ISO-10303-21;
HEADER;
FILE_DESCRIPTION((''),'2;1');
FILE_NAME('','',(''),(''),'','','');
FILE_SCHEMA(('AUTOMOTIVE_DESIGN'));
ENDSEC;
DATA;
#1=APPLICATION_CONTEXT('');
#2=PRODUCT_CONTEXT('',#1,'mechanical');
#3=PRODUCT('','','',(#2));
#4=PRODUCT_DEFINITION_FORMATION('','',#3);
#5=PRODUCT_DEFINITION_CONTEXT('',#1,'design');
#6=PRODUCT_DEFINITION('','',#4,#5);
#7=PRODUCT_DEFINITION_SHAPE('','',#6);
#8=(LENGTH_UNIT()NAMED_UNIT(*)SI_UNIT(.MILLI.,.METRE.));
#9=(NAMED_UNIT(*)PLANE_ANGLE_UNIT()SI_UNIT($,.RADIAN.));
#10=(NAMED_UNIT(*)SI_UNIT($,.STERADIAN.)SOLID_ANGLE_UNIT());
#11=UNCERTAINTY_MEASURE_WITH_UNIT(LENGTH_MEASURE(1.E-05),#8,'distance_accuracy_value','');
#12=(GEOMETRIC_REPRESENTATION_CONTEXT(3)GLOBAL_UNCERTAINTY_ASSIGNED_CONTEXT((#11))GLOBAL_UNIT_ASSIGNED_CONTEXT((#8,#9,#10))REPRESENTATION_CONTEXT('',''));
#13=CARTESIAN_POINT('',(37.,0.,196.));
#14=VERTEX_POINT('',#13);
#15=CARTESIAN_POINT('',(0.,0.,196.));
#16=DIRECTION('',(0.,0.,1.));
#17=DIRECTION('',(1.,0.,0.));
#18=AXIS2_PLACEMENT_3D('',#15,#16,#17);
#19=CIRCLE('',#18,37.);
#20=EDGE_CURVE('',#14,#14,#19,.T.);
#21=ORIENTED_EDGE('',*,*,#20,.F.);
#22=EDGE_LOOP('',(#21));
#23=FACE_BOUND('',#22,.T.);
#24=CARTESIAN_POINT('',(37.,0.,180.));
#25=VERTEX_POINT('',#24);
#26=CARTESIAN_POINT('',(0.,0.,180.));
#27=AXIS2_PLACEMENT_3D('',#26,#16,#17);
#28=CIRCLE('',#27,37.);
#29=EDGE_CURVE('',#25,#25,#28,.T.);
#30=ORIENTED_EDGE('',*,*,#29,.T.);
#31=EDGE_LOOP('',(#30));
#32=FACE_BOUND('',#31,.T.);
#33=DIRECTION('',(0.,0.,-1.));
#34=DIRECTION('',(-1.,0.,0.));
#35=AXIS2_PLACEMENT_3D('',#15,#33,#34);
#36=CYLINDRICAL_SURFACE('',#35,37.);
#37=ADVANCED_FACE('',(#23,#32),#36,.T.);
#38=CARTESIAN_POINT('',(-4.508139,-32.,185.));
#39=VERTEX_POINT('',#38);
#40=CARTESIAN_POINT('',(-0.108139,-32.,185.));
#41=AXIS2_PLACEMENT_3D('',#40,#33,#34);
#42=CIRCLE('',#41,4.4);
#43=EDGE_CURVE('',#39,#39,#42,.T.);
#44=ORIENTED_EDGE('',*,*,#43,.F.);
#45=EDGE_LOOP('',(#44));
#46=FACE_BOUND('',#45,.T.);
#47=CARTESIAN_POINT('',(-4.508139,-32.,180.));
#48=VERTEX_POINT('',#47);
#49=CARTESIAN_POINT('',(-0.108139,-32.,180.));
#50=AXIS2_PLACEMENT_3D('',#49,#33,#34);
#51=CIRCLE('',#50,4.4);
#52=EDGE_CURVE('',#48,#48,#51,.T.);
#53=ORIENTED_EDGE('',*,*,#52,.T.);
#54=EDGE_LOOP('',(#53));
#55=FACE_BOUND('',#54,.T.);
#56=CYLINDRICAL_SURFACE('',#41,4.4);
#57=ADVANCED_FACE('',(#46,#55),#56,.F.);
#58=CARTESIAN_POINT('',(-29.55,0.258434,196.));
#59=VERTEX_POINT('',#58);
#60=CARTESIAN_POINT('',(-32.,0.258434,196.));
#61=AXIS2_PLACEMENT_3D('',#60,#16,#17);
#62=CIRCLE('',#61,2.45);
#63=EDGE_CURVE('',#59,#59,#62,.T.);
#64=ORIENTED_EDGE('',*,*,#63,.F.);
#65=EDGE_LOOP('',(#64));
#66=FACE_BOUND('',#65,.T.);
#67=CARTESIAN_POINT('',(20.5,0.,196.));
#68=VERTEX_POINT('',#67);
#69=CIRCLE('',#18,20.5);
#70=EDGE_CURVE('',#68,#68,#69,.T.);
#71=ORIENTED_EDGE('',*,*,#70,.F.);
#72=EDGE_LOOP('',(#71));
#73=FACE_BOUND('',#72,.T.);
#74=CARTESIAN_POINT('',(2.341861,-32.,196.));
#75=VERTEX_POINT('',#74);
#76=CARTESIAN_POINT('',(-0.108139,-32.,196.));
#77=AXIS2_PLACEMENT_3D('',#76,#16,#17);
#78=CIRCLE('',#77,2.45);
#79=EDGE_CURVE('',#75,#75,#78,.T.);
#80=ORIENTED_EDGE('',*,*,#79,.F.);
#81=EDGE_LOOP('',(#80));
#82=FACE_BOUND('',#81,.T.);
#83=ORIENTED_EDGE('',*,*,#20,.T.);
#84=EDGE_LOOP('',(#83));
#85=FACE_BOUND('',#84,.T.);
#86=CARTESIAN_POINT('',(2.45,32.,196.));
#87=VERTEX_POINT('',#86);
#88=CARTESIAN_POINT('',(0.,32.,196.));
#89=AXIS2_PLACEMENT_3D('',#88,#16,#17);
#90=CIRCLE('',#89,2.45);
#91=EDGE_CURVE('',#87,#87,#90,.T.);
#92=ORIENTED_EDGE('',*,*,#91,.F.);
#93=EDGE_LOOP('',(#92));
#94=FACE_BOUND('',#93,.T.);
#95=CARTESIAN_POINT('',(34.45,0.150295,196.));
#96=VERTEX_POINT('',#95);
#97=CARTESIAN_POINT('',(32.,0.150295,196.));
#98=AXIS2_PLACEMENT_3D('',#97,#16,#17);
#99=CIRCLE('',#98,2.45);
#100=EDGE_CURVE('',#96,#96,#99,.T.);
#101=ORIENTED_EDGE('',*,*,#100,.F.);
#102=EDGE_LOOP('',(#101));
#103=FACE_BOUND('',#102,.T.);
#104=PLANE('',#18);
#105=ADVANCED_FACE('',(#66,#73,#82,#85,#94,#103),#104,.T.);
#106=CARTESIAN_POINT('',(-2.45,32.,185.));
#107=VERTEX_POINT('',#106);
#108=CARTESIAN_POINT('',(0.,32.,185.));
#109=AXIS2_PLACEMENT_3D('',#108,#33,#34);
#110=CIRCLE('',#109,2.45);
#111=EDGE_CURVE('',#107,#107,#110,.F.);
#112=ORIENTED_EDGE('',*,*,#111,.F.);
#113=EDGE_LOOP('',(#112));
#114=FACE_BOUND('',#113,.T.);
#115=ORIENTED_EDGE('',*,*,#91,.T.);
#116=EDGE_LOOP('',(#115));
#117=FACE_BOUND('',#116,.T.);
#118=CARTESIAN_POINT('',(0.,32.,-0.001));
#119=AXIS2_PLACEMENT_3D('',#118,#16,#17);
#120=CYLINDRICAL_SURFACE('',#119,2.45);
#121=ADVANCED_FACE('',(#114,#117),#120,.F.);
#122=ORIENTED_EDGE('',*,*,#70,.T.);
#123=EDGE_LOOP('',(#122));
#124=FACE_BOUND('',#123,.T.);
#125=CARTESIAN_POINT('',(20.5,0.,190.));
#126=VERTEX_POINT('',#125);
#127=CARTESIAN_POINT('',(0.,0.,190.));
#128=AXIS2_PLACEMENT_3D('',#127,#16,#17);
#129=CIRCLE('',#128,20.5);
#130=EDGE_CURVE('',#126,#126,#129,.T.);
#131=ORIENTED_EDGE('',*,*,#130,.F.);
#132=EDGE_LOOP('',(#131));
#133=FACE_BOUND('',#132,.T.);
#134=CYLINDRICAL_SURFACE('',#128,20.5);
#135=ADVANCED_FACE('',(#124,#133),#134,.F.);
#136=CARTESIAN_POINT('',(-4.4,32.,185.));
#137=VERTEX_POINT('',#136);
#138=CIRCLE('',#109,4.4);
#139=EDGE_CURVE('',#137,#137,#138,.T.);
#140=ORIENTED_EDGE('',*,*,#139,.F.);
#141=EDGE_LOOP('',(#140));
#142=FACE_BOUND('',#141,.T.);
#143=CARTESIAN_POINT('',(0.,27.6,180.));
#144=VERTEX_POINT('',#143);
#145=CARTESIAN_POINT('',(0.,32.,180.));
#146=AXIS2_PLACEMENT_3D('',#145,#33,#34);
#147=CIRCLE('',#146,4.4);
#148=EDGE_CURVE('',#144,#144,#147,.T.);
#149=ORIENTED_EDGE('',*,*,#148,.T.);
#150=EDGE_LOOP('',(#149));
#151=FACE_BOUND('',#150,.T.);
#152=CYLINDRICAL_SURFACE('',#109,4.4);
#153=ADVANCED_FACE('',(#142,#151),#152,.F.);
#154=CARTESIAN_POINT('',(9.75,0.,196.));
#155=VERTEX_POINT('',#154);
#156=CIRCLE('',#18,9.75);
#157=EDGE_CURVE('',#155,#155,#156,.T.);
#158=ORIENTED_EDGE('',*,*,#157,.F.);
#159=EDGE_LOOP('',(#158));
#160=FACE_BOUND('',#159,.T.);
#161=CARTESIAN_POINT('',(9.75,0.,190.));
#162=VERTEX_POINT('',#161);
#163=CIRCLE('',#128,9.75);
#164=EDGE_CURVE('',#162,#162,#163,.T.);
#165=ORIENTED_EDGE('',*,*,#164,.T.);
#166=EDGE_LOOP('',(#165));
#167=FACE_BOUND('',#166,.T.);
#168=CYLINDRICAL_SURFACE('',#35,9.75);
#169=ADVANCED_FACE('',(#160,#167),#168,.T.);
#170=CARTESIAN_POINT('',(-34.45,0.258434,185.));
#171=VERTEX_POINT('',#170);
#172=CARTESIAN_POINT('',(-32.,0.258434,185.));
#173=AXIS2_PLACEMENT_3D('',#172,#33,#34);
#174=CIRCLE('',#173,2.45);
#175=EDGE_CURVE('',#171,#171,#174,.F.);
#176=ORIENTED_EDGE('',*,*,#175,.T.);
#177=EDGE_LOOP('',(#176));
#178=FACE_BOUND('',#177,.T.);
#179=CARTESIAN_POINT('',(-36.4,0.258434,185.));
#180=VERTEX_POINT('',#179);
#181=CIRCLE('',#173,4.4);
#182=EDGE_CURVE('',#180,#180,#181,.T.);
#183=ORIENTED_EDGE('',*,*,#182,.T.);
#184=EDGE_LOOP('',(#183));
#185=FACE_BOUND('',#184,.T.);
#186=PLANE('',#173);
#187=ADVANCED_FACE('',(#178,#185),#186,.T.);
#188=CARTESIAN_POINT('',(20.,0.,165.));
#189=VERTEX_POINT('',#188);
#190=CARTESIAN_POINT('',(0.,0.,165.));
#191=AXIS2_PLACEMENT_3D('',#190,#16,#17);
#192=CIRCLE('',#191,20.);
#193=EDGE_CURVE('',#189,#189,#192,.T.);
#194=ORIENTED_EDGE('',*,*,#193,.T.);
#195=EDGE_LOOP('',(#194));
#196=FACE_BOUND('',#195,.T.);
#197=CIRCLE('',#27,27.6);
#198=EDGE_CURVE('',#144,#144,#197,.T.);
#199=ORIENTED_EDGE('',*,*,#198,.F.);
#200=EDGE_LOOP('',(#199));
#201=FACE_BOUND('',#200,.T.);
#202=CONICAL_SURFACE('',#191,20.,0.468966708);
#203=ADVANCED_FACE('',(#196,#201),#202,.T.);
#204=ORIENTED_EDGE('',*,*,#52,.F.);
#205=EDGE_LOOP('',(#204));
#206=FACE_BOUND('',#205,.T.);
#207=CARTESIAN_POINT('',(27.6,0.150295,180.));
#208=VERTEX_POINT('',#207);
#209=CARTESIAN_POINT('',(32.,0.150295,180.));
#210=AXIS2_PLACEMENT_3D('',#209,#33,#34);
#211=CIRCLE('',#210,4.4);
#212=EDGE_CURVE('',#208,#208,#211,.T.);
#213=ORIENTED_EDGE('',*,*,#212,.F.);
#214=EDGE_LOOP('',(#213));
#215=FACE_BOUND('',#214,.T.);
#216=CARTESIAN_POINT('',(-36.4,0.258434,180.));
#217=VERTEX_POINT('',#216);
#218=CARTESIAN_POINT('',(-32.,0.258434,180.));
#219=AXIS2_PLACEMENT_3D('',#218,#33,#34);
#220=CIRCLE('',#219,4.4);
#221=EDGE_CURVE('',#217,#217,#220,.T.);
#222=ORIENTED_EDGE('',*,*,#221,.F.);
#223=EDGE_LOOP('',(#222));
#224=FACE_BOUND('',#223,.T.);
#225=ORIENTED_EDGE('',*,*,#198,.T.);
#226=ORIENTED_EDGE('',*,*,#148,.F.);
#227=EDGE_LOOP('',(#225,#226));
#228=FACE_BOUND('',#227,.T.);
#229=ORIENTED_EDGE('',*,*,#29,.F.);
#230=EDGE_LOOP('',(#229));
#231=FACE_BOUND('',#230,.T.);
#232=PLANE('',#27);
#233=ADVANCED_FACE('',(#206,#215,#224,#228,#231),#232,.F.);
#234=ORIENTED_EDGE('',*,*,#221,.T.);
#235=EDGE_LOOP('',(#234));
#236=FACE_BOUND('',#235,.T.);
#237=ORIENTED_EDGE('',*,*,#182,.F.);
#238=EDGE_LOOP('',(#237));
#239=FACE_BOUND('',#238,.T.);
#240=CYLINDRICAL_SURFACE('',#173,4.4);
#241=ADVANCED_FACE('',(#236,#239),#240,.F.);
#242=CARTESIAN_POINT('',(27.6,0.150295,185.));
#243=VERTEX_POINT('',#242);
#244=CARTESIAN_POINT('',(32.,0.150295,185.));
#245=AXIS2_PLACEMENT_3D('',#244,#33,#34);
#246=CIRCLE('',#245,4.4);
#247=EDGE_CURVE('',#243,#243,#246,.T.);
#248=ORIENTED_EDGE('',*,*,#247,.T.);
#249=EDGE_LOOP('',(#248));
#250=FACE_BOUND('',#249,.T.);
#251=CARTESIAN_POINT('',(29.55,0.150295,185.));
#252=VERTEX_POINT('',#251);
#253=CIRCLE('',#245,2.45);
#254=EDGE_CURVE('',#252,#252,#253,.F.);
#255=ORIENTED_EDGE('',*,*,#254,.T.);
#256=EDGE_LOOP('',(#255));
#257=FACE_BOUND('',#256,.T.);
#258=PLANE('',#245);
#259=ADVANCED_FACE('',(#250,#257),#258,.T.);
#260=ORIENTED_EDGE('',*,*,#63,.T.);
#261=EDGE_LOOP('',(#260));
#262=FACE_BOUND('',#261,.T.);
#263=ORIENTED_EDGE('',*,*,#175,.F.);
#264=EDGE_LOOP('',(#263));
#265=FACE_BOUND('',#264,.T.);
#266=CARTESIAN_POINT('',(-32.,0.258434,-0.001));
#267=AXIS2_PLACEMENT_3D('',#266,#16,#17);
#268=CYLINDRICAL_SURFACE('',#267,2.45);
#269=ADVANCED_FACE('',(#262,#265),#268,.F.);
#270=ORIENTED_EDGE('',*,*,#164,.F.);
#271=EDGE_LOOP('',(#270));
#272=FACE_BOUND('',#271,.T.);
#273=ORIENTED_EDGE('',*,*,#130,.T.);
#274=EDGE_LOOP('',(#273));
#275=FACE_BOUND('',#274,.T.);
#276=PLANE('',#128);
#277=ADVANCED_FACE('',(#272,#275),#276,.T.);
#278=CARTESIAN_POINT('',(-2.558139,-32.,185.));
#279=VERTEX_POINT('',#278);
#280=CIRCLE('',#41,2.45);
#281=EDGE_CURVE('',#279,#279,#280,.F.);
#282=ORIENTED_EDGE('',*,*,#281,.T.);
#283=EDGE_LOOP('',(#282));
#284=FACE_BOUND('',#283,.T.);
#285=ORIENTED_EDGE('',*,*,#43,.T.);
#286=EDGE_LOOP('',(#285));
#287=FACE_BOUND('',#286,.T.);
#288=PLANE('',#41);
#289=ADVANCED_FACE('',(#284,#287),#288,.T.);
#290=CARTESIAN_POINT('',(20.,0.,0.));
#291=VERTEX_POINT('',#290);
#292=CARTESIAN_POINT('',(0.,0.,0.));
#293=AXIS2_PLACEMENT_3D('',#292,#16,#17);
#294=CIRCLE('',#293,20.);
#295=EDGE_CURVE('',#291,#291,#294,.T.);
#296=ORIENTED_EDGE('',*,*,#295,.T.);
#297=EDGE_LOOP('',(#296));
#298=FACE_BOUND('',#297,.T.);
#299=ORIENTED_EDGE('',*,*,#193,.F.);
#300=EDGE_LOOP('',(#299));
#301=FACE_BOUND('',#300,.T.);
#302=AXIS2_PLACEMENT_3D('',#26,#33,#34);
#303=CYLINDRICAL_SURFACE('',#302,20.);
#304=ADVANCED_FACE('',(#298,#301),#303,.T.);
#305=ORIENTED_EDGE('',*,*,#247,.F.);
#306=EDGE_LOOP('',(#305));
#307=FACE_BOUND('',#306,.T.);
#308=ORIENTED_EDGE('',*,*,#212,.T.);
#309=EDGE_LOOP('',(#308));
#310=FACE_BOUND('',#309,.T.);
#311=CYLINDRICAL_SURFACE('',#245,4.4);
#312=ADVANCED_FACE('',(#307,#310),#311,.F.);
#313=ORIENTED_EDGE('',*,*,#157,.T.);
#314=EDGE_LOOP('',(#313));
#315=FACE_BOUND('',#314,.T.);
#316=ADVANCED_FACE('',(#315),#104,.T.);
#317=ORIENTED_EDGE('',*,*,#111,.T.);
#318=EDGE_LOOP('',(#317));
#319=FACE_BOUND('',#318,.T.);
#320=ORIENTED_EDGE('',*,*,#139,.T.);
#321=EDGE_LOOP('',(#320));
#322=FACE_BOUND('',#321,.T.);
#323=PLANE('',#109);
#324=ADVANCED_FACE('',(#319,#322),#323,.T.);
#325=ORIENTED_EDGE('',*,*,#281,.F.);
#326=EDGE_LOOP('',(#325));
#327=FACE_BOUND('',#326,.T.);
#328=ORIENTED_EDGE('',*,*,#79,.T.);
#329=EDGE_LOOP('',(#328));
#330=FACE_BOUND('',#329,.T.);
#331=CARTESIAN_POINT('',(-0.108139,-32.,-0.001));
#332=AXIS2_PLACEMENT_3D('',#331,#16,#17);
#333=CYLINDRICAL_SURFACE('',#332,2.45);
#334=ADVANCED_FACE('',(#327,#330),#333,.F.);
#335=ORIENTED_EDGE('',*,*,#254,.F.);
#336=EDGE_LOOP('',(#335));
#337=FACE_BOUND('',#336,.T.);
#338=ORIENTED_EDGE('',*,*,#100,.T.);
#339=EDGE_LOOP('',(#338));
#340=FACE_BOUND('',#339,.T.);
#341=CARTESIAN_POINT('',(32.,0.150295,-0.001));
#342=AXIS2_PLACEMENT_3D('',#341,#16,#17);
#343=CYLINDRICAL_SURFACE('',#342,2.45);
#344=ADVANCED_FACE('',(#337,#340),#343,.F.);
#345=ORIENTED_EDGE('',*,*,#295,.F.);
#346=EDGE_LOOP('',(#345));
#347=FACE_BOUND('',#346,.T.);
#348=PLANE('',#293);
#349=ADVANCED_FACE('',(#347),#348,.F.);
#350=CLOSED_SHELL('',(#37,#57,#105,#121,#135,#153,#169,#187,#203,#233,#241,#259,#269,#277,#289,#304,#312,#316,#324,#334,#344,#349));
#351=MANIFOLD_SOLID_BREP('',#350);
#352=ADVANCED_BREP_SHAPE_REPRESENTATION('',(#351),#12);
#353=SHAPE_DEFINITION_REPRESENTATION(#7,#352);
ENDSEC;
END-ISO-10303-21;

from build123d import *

# Parameters (mm, degrees)
SKETCH_1_R          = 20
EXTRUDE_1_DEPTH     = 180
SKETCH_3_R          = 37
EXTRUDE_3_DEPTH     = 16
SKETCH_4_R          = 20.5
CUT_EXTRUDE_1_DEPTH = 6
SKETCH_5_R          = 9.75
EXTRUDE_4_DEPTH     = 6
CUT_EXTRUDE_3_REACH = 198
SKETCH_10_R         = 2.45
SKETCH_18_R         = 4.4
CUT_EXTRUDE_4_DEPTH = 5


with BuildPart() as part:
    # 스케치1 → 보스-돌출1 (new body)
    with BuildSketch(Plane.XY):
        Circle(SKETCH_1_R)
    extrude(amount=EXTRUDE_1_DEPTH)

    # 스케치3 → 보스-돌출3 (add)
    with BuildSketch(Plane.XY.offset(180)):
        Circle(SKETCH_3_R)
    extrude(amount=EXTRUDE_3_DEPTH)

    # 스케치4 → 컷-돌출1 (cut)
    with BuildSketch(Plane.XY.offset(196)):
        Circle(SKETCH_4_R)
    extrude(amount=-CUT_EXTRUDE_1_DEPTH, mode=Mode.SUBTRACT)

    # 스케치5 → 보스-돌출4 (add)
    with BuildSketch(Plane.XY.offset(190)):
        Circle(SKETCH_5_R)
    extrude(amount=EXTRUDE_4_DEPTH)

    # 스케치10 → 컷-돌출3 (cut, up to next)
    with BuildSketch(Plane.XY.offset(196), mode=Mode.PRIVATE) as cut_extrude_3_sk1:
        with Locations((0, 32)):
            Circle(SKETCH_10_R)
    cut_extrude_3_tool1 = extrude(cut_extrude_3_sk1.sketch, amount=-CUT_EXTRUDE_3_REACH, mode=Mode.PRIVATE) & part.part
    add(cut_extrude_3_tool1.solids().sort_by_distance((0, 32, 196))[0], mode=Mode.SUBTRACT)
    # 스케치10 → 컷-돌출3 (cut, up to next)
    with BuildSketch(Plane.XY.offset(196), mode=Mode.PRIVATE) as cut_extrude_3_sk2:
        with Locations((32, 0.150294809)):
            Circle(SKETCH_10_R)
    cut_extrude_3_tool2 = extrude(cut_extrude_3_sk2.sketch, amount=-CUT_EXTRUDE_3_REACH, mode=Mode.PRIVATE) & part.part
    add(cut_extrude_3_tool2.solids().sort_by_distance((32, 0.150295, 196))[0], mode=Mode.SUBTRACT)
    # 스케치10 → 컷-돌출3 (cut, up to next)
    with BuildSketch(Plane.XY.offset(196), mode=Mode.PRIVATE) as cut_extrude_3_sk3:
        with Locations((-32, 0.258434211)):
            Circle(SKETCH_10_R)
    cut_extrude_3_tool3 = extrude(cut_extrude_3_sk3.sketch, amount=-CUT_EXTRUDE_3_REACH, mode=Mode.PRIVATE) & part.part
    add(cut_extrude_3_tool3.solids().sort_by_distance((-32, 0.258434, 196))[0], mode=Mode.SUBTRACT)
    # 스케치10 → 컷-돌출3 (cut, up to next)
    with BuildSketch(Plane.XY.offset(196), mode=Mode.PRIVATE) as cut_extrude_3_sk4:
        with Locations((-0.108139402, -32)):
            Circle(SKETCH_10_R)
    cut_extrude_3_tool4 = extrude(cut_extrude_3_sk4.sketch, amount=-CUT_EXTRUDE_3_REACH, mode=Mode.PRIVATE) & part.part
    add(cut_extrude_3_tool4.solids().sort_by_distance((-0.108139, -32, 196))[0], mode=Mode.SUBTRACT)

    # 스케치18 → 컷-돌출4 (cut)
    with BuildSketch(Plane(origin=(0, 0, 180), x_dir=(-1, 0, 0), z_dir=(0, 0, -1))):
        with Locations((0, 32)):
            Circle(SKETCH_18_R)
        with Locations((32, 0.258434211)):
            Circle(SKETCH_18_R)
        with Locations((0.108139402, -32)):
            Circle(SKETCH_18_R)
        with Locations((-32, 0.150294809)):
            Circle(SKETCH_18_R)
    extrude(amount=-CUT_EXTRUDE_4_DEPTH, mode=Mode.SUBTRACT)

    # 스케치20 → 회전1 (revolve)
    with BuildSketch(Plane(origin=(0, 0, 0), x_dir=(1, 0, 0), z_dir=(0, 1, 0))):
        Polygon((-20, -180), (-27.6, -180), (-20, -165), align=None)
    revolve(axis=Axis((0, 0, 180), (0, 0, -1)))


solid = part.part
